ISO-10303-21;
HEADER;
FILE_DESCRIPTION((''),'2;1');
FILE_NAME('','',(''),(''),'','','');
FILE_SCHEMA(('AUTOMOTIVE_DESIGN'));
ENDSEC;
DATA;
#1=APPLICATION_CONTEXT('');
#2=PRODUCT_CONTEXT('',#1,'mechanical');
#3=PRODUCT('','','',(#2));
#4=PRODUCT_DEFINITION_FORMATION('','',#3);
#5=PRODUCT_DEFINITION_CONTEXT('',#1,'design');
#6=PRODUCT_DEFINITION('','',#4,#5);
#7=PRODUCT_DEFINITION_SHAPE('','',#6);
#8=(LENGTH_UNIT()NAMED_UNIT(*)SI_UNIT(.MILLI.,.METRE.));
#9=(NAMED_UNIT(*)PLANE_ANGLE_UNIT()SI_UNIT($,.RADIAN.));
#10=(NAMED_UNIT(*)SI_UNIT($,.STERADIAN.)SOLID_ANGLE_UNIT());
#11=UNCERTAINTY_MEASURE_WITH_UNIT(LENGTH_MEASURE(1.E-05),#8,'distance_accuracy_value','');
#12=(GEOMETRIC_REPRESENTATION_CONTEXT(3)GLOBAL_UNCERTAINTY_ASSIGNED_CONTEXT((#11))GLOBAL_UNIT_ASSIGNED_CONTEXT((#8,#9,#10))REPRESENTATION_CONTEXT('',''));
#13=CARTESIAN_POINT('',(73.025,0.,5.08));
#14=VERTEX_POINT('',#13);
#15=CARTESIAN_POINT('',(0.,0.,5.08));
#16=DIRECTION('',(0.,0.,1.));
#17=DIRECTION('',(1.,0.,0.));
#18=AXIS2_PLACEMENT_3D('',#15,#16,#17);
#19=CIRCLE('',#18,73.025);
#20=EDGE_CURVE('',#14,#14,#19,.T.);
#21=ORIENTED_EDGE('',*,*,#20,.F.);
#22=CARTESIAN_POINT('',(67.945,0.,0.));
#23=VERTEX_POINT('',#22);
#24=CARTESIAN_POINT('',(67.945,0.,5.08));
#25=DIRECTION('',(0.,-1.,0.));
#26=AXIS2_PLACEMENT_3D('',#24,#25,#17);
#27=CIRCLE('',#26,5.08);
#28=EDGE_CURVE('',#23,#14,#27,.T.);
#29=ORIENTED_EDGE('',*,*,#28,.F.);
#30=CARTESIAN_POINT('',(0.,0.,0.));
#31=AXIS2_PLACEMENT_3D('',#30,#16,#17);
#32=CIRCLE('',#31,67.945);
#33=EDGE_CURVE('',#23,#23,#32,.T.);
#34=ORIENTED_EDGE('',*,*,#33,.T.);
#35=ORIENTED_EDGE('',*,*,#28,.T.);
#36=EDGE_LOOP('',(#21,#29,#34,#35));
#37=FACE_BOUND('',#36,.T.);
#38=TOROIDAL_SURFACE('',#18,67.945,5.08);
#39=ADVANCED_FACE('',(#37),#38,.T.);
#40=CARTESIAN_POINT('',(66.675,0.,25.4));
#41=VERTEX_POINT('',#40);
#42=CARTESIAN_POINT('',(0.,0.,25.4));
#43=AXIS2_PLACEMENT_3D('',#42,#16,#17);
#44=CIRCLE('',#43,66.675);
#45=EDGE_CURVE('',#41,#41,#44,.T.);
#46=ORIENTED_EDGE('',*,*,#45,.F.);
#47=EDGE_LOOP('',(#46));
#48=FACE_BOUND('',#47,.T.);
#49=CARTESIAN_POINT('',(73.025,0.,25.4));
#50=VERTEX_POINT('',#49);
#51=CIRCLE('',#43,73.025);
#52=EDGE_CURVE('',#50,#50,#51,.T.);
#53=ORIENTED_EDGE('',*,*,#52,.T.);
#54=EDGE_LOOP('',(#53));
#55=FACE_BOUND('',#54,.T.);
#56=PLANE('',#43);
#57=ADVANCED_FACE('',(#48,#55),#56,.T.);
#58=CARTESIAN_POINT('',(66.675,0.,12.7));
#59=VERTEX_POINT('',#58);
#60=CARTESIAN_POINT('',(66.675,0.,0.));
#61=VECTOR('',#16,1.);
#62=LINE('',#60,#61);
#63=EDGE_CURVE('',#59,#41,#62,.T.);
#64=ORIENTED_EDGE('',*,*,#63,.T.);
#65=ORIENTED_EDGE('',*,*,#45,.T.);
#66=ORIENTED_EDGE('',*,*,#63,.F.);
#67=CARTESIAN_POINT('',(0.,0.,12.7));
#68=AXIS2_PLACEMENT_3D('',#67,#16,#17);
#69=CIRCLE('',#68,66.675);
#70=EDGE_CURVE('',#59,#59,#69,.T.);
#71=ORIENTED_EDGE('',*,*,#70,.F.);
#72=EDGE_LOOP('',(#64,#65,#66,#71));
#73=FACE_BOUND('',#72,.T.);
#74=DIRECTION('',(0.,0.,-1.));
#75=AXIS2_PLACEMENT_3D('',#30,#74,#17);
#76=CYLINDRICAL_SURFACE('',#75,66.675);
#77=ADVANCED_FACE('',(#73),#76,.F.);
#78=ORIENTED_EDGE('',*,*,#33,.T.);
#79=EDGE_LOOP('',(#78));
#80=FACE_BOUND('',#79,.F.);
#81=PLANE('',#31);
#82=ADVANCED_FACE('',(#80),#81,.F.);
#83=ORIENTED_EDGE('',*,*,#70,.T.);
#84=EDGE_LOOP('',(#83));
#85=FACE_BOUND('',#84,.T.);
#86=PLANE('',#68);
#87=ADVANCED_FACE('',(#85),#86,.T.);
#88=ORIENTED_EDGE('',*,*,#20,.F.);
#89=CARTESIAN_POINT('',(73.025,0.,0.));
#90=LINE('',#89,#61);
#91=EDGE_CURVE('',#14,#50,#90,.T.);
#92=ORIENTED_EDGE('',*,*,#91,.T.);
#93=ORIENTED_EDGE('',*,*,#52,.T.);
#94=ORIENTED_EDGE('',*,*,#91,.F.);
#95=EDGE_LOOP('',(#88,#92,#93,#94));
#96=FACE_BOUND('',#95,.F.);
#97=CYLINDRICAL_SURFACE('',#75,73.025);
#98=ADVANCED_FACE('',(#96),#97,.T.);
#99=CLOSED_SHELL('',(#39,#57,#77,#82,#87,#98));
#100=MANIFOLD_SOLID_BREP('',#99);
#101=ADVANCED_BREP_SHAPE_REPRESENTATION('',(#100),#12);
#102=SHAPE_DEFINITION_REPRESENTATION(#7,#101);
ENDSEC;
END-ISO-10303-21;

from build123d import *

# Parameters (mm, degrees)
F0_R     = 73.025
F0_R_2   = 66.675
F1_DEPTH = 25.4
F2_R     = 66.675
F3_DEPTH = 12.7
F4_R     = 5.08


with BuildPart() as f1:
    # F0 (on Top) → F1 (new body)
    with BuildSketch(Plane.XY):
        Circle(F0_R)
        Circle(F0_R_2, mode=Mode.SUBTRACT)
    extrude(amount=F1_DEPTH)

    # F2 (on Top) → F3 (join)
    with BuildSketch(Plane.XY):
        Circle(F2_R)
    extrude(amount=F3_DEPTH)

    # F4
    f4_edges = [f1.edges().sort_by_distance(p)[0] for p in [
        (-73.025, 0, 0),
    ]]
    fillet(f4_edges, radius=F4_R)


solid = f1.part
